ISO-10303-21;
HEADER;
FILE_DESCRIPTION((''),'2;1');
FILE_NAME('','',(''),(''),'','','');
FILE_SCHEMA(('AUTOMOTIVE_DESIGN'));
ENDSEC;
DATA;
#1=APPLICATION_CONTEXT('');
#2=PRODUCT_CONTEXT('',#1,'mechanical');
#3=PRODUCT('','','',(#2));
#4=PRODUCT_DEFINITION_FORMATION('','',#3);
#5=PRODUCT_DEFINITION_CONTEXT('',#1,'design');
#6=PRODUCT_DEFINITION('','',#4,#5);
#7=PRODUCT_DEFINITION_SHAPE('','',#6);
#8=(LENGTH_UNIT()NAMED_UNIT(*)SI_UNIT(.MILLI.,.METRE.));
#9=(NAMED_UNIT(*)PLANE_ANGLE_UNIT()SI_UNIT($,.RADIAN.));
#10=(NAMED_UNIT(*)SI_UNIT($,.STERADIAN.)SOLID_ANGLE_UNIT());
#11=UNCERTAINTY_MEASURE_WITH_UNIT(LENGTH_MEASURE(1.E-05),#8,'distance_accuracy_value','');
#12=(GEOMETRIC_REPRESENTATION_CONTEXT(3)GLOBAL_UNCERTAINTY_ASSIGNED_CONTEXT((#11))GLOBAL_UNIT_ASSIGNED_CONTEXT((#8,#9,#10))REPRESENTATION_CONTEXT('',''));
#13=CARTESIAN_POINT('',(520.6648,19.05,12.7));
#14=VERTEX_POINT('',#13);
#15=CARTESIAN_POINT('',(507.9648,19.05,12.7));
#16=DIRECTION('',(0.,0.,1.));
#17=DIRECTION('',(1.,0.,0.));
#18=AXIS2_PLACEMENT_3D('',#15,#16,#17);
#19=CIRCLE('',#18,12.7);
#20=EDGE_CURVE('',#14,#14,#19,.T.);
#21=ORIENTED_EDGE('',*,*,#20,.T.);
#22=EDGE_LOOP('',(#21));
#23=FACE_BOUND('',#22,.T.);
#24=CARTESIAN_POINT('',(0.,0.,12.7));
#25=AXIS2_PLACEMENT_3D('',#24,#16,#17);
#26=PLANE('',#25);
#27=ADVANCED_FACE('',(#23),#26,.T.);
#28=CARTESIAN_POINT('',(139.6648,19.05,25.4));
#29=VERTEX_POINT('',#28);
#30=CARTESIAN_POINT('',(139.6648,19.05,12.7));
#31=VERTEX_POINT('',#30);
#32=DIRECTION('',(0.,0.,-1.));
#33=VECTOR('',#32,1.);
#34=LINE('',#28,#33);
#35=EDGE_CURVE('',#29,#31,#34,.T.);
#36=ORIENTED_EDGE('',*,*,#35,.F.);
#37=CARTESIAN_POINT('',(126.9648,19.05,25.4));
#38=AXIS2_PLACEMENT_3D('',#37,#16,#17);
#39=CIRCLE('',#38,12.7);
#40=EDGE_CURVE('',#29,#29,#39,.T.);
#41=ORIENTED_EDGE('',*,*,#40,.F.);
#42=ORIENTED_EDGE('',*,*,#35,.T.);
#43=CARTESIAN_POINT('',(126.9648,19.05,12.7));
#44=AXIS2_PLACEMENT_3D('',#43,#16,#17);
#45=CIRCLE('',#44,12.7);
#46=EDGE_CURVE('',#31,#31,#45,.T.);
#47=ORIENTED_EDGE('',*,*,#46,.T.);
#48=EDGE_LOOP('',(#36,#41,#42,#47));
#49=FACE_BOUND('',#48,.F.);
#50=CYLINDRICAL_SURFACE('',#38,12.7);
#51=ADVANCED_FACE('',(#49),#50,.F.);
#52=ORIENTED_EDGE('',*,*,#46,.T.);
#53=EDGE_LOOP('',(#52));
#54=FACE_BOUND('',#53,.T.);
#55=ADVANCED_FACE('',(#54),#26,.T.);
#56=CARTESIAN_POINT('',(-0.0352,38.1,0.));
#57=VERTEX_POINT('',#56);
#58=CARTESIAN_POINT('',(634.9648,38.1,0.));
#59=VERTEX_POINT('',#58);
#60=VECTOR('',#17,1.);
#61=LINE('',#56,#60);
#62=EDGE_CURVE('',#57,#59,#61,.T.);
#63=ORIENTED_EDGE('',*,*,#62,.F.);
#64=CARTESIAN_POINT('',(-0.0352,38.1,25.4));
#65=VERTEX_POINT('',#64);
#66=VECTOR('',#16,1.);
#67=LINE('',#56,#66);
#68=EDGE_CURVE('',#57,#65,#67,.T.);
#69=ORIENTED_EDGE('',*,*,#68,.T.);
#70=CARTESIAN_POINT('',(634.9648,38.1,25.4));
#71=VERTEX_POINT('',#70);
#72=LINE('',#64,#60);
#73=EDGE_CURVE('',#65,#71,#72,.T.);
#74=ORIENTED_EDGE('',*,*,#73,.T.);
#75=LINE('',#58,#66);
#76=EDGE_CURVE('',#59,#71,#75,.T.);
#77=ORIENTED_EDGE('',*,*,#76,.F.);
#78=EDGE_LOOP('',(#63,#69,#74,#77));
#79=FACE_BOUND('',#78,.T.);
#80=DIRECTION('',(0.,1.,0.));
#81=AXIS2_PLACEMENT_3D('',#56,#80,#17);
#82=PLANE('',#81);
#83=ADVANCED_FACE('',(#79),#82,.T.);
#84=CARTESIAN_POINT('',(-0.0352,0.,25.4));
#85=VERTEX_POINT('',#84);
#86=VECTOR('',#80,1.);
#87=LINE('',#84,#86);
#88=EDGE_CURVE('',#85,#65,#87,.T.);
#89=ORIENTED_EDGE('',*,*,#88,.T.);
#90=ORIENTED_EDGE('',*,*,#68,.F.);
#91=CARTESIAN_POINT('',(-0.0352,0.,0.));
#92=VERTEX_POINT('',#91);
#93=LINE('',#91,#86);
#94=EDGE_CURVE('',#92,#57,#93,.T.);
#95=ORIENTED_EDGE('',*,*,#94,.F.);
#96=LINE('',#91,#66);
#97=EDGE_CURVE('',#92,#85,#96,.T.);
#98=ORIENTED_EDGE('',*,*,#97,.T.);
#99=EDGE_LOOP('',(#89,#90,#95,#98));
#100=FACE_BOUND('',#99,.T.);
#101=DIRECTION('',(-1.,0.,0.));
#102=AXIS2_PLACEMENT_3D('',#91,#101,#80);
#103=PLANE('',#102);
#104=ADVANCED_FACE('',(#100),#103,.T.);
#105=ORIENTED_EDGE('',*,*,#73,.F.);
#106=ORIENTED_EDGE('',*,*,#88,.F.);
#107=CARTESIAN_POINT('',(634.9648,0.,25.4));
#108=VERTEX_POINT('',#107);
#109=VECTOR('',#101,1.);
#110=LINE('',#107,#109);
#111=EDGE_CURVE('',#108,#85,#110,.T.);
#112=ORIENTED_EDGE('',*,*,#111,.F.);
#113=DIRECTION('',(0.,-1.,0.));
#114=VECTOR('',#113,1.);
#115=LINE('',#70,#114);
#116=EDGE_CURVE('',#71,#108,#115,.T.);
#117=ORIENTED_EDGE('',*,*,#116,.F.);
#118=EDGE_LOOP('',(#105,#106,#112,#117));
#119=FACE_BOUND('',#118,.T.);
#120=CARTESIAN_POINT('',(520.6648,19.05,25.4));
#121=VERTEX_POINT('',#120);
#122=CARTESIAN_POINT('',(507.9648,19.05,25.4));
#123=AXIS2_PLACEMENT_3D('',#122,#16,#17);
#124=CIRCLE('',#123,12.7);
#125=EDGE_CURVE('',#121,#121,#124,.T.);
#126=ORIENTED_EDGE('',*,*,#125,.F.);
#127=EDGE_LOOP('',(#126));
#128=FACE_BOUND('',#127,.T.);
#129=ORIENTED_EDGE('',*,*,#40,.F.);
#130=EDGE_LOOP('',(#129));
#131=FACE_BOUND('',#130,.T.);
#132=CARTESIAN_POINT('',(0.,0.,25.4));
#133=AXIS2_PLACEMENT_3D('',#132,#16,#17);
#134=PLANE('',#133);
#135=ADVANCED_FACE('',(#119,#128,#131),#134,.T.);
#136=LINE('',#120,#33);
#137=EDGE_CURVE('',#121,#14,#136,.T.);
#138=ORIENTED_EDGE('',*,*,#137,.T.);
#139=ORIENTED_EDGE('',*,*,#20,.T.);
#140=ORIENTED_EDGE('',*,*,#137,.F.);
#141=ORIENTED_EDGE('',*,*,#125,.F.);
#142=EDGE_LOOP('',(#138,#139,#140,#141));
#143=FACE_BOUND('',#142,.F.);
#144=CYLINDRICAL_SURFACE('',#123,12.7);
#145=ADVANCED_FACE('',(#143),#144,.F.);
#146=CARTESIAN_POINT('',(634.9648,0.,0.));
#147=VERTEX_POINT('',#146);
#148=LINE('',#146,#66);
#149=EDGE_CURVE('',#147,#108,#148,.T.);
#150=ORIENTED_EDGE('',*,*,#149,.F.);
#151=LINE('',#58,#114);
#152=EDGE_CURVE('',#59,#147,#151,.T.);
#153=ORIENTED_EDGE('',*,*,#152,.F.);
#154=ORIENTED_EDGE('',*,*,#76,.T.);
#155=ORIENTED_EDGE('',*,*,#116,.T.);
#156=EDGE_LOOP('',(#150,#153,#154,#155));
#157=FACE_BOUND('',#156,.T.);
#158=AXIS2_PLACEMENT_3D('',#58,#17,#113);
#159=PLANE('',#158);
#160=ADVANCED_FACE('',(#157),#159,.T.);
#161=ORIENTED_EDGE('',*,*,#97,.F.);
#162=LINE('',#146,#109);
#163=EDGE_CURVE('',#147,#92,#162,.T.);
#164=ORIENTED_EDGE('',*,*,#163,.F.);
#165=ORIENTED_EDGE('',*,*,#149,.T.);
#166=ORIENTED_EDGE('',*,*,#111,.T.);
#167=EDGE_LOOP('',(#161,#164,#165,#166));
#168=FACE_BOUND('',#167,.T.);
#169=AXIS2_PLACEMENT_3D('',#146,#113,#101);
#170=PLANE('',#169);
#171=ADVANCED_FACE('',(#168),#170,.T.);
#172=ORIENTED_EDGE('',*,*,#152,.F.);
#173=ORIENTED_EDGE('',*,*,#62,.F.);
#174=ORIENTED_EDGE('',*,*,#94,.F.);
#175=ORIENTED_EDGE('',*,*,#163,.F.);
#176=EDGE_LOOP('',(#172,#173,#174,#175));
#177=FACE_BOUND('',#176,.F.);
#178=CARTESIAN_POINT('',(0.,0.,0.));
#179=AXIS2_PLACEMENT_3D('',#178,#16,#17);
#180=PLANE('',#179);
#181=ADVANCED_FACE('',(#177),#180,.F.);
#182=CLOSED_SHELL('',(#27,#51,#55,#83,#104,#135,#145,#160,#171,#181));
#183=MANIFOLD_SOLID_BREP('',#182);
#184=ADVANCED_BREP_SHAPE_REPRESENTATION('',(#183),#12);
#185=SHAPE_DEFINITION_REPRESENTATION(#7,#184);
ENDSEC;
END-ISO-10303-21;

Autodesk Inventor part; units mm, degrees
ref_plane "YZ Plane" through (0, 0, 0) normal (1, 0, 0) x (0, 1, 0)
ref_plane "XZ Plane" through (0, 0, 0) normal (0, 1, 0) x (-1, 0, 0)
ref_plane "XY Plane" through (0, 0, 0) normal (0, 0, 1) x (1, 0, 0)
sketch "Sketch1" plane through (0, 0, 0) normal (0, 0, 1) x (1, 0, 0)
  line L0 (634.9648, 0) -> (-0.0352, 0)
  line L1 (-0.0352, 0) -> (-0.0352, 38.1)
  line L2 (-0.0352, 38.1) -> (634.9648, 38.1)
  line L3 (634.9648, 38.1) -> (634.9648, 0)
  circle A0 centre (126.9648, 19.05) radius 12.7
  circle A1 centre (507.9648, 19.05) radius 12.7
  point P0 (-0.0352, 19.05)
  dimension "d2" = 635
  dimension "d3" = 38.1
  dimension "d4" = 25.4
  dimension "d5" = 25.4
  dimension "d6" = 381
  dimension "d7" = 127
extrude "Extrusion1" add sketch "Sketch1" along normal blind 25.4 contours L0 L1 L2 L3 | A0 | A1
sketch "Sketch2" plane through (0, 0, 25.4) normal (0, 0, 1) x (1, 0, 0)
  line L0 (-0.0352, 0) -> (-0.0352, 38.1) projected
  circle A0 centre (126.9648, 19.05) radius 12.7
  circle A1 centre (507.9648, 19.05) radius 12.7
  point P0 (0, 0)
  point P1 (-0.0352, 19.05)
  dimension "d10" = 381
  dimension "d11" = 127
  dimension "d12" = 25.4
  dimension "d13" = 25.4
extrude "Extrusion2" cut sketch "Sketch2" against normal blind 12.7
equation "\"d5\" = d4"
equation "\"d13\" = d12"
properties part number "FRC Axle Base"
